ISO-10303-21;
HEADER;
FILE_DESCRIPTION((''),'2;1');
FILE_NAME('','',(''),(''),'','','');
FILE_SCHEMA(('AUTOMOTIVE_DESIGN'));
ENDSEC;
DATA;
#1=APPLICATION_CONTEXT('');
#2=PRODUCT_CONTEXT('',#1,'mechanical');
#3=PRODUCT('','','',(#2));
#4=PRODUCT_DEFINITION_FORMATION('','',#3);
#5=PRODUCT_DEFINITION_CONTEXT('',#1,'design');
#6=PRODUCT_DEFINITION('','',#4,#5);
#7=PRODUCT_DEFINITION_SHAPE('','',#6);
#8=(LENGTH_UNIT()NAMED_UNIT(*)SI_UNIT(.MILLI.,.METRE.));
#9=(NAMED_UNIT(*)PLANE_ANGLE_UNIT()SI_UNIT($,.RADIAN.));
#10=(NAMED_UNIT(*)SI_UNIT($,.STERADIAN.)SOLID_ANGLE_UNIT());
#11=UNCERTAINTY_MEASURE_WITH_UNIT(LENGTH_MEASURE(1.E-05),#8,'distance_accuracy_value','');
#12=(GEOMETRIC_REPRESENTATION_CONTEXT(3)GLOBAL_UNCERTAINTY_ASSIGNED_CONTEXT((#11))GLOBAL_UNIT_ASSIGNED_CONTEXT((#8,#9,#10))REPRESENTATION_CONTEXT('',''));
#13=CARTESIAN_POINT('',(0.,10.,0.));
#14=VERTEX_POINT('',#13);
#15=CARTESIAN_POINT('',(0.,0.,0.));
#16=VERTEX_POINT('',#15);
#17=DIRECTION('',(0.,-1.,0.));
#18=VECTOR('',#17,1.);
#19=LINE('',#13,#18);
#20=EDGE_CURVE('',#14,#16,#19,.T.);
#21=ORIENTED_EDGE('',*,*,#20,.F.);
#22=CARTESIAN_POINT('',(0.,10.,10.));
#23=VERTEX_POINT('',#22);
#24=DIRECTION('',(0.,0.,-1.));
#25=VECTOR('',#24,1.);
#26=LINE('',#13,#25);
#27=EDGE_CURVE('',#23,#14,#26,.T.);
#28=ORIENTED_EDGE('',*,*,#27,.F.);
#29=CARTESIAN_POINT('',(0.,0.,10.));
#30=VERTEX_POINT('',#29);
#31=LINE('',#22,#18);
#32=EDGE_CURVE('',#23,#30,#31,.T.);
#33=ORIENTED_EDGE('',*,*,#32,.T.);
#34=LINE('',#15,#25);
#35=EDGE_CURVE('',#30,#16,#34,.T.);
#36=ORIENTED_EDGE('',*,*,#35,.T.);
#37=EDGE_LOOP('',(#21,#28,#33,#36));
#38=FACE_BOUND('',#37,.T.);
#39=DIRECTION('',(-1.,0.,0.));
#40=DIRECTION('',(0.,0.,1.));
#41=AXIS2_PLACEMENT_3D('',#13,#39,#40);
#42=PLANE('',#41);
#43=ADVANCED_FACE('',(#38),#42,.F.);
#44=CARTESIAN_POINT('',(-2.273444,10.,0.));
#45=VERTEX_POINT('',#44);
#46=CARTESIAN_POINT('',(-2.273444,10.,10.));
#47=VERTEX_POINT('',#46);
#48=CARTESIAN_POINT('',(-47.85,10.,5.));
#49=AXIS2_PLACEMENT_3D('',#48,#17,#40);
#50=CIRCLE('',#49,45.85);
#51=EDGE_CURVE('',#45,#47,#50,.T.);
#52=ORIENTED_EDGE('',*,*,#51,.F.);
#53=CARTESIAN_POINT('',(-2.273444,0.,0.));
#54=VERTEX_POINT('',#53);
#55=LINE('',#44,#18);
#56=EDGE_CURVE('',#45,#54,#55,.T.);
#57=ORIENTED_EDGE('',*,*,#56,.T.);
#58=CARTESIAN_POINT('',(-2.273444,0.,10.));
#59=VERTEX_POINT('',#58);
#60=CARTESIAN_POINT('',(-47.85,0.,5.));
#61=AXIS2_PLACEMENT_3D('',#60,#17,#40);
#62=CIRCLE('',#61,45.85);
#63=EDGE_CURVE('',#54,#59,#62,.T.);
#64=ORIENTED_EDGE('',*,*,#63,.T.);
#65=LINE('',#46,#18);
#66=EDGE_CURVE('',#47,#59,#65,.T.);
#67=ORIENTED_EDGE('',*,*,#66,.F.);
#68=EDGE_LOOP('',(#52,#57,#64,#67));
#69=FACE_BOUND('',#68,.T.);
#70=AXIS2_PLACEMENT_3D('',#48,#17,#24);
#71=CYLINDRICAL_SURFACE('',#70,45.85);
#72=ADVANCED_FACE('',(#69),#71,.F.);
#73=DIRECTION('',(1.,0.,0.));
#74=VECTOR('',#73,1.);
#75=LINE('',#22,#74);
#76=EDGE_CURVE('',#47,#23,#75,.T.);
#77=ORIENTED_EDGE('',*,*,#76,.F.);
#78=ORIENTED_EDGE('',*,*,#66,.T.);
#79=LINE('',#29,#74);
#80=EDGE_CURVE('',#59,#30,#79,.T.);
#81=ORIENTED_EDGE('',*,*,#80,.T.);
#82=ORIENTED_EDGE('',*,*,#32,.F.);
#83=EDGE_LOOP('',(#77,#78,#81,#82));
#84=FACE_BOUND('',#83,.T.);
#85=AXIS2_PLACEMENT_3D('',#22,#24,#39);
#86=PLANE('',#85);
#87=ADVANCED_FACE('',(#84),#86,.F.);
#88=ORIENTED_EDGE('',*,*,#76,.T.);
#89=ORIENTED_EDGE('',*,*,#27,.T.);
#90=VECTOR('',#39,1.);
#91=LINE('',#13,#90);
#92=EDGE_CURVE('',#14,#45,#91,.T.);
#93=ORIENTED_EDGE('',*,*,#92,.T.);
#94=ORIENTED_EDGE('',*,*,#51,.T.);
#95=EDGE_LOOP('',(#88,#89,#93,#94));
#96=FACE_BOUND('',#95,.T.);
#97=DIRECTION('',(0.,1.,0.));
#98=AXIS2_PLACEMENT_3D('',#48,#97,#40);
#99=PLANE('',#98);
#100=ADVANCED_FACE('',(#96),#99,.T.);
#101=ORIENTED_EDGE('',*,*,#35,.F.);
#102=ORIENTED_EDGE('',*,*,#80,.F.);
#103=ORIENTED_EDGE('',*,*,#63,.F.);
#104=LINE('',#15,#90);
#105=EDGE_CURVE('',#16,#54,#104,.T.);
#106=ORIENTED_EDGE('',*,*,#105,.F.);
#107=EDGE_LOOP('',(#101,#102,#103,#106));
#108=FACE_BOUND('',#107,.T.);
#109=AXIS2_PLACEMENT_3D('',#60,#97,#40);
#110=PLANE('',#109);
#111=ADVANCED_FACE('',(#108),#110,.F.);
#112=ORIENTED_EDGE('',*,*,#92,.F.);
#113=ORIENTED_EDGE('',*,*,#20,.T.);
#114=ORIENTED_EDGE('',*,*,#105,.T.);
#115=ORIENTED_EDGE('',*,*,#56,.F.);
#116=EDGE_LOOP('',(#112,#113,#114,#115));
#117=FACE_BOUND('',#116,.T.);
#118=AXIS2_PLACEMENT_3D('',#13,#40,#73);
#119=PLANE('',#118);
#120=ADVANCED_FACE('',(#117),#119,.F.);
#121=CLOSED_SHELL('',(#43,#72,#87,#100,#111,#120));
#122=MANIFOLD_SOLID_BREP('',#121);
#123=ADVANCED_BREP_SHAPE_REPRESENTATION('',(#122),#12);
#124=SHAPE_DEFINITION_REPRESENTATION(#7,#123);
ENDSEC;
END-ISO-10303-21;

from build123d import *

# Parameters (mm, degrees)
EXTRUDE_1_DEPTH = 10


with BuildPart() as part:
    # 草图1 → 凸台-拉伸1 (new body)
    with BuildSketch(Plane(origin=(0, 0, 0), x_dir=(1, 0, 0), z_dir=(0, 1, 0))):
        with BuildLine():
            Line((0, 0), (0, -10))
            Line((0, -10), (-2.273443526, -10))
            ThreePointArc((-2.273443526, -10), (-2, -5), (-2.273443526, 0))
            Line((-2.273443526, 0), (0, 0))
        make_face()
    extrude(amount=EXTRUDE_1_DEPTH)


solid = part.part
